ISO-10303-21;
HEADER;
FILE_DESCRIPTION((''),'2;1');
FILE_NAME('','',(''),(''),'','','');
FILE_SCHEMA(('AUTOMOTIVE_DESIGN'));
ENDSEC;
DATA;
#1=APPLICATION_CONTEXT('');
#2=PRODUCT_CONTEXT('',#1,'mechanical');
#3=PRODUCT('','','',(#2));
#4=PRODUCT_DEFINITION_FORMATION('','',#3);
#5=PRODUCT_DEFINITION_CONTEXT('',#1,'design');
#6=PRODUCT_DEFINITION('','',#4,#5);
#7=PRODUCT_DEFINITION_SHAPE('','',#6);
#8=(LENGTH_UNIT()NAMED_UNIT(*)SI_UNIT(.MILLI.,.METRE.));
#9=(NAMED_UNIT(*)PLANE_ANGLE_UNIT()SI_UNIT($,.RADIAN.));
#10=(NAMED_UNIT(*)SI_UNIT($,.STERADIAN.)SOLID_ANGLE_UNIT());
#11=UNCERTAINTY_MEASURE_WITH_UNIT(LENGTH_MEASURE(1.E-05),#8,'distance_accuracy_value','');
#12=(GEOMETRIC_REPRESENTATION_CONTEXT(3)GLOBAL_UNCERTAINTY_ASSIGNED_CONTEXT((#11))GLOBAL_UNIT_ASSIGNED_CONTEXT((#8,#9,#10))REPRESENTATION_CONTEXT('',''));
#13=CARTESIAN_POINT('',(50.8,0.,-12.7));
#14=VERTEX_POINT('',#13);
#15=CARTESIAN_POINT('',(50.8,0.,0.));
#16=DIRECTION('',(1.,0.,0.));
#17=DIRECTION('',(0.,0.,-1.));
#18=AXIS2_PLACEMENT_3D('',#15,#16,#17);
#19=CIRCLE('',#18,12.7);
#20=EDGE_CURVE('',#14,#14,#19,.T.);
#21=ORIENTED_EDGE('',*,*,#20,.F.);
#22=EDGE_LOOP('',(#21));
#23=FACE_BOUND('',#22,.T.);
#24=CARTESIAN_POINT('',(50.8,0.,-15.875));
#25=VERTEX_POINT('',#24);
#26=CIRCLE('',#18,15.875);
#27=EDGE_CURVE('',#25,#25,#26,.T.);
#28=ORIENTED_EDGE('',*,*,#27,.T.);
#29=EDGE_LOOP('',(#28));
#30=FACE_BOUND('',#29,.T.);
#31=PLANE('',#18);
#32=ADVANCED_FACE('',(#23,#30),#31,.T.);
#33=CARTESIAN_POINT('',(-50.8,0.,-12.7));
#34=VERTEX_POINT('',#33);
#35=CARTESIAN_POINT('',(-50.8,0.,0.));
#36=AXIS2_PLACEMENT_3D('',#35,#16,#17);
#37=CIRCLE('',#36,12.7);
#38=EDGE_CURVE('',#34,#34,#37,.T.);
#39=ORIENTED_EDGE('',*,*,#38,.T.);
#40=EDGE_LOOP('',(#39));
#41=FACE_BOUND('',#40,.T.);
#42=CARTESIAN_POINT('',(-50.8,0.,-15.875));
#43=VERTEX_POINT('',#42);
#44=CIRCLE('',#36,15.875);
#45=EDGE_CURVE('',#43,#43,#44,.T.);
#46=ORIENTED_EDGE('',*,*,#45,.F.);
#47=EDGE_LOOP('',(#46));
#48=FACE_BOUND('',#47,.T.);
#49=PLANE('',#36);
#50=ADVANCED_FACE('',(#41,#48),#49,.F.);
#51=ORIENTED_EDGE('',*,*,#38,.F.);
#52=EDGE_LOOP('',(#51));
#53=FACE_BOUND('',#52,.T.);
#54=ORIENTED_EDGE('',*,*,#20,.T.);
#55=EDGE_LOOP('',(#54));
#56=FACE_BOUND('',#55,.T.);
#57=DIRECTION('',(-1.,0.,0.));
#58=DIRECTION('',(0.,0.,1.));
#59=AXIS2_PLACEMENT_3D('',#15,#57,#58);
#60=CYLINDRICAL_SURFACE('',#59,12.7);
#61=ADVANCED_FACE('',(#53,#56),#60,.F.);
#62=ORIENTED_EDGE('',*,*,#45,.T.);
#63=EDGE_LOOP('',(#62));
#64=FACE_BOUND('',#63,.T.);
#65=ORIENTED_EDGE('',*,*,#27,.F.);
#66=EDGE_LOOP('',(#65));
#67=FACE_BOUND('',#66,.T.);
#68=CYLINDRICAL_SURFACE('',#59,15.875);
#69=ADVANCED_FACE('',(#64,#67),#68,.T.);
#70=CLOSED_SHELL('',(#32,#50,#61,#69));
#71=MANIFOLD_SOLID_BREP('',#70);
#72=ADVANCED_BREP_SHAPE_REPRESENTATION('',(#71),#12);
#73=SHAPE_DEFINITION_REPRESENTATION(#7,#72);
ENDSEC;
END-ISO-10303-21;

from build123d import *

# Parameters (mm, degrees)
SKETCH1_R      = 15.875
SKETCH1_R_2    = 12.7
EXTRUDE1_DEPTH = 50.8


with BuildPart() as part:
    # Sketch1 → Extrude1 (new, symmetric)
    with BuildSketch(Plane(origin=(0, 0, 0), x_dir=(0, 0, -1), z_dir=(1, 0, 0))):
        Circle(SKETCH1_R)
        Circle(SKETCH1_R_2, mode=Mode.SUBTRACT)
    extrude(amount=EXTRUDE1_DEPTH, both=True)


solid = part.part
